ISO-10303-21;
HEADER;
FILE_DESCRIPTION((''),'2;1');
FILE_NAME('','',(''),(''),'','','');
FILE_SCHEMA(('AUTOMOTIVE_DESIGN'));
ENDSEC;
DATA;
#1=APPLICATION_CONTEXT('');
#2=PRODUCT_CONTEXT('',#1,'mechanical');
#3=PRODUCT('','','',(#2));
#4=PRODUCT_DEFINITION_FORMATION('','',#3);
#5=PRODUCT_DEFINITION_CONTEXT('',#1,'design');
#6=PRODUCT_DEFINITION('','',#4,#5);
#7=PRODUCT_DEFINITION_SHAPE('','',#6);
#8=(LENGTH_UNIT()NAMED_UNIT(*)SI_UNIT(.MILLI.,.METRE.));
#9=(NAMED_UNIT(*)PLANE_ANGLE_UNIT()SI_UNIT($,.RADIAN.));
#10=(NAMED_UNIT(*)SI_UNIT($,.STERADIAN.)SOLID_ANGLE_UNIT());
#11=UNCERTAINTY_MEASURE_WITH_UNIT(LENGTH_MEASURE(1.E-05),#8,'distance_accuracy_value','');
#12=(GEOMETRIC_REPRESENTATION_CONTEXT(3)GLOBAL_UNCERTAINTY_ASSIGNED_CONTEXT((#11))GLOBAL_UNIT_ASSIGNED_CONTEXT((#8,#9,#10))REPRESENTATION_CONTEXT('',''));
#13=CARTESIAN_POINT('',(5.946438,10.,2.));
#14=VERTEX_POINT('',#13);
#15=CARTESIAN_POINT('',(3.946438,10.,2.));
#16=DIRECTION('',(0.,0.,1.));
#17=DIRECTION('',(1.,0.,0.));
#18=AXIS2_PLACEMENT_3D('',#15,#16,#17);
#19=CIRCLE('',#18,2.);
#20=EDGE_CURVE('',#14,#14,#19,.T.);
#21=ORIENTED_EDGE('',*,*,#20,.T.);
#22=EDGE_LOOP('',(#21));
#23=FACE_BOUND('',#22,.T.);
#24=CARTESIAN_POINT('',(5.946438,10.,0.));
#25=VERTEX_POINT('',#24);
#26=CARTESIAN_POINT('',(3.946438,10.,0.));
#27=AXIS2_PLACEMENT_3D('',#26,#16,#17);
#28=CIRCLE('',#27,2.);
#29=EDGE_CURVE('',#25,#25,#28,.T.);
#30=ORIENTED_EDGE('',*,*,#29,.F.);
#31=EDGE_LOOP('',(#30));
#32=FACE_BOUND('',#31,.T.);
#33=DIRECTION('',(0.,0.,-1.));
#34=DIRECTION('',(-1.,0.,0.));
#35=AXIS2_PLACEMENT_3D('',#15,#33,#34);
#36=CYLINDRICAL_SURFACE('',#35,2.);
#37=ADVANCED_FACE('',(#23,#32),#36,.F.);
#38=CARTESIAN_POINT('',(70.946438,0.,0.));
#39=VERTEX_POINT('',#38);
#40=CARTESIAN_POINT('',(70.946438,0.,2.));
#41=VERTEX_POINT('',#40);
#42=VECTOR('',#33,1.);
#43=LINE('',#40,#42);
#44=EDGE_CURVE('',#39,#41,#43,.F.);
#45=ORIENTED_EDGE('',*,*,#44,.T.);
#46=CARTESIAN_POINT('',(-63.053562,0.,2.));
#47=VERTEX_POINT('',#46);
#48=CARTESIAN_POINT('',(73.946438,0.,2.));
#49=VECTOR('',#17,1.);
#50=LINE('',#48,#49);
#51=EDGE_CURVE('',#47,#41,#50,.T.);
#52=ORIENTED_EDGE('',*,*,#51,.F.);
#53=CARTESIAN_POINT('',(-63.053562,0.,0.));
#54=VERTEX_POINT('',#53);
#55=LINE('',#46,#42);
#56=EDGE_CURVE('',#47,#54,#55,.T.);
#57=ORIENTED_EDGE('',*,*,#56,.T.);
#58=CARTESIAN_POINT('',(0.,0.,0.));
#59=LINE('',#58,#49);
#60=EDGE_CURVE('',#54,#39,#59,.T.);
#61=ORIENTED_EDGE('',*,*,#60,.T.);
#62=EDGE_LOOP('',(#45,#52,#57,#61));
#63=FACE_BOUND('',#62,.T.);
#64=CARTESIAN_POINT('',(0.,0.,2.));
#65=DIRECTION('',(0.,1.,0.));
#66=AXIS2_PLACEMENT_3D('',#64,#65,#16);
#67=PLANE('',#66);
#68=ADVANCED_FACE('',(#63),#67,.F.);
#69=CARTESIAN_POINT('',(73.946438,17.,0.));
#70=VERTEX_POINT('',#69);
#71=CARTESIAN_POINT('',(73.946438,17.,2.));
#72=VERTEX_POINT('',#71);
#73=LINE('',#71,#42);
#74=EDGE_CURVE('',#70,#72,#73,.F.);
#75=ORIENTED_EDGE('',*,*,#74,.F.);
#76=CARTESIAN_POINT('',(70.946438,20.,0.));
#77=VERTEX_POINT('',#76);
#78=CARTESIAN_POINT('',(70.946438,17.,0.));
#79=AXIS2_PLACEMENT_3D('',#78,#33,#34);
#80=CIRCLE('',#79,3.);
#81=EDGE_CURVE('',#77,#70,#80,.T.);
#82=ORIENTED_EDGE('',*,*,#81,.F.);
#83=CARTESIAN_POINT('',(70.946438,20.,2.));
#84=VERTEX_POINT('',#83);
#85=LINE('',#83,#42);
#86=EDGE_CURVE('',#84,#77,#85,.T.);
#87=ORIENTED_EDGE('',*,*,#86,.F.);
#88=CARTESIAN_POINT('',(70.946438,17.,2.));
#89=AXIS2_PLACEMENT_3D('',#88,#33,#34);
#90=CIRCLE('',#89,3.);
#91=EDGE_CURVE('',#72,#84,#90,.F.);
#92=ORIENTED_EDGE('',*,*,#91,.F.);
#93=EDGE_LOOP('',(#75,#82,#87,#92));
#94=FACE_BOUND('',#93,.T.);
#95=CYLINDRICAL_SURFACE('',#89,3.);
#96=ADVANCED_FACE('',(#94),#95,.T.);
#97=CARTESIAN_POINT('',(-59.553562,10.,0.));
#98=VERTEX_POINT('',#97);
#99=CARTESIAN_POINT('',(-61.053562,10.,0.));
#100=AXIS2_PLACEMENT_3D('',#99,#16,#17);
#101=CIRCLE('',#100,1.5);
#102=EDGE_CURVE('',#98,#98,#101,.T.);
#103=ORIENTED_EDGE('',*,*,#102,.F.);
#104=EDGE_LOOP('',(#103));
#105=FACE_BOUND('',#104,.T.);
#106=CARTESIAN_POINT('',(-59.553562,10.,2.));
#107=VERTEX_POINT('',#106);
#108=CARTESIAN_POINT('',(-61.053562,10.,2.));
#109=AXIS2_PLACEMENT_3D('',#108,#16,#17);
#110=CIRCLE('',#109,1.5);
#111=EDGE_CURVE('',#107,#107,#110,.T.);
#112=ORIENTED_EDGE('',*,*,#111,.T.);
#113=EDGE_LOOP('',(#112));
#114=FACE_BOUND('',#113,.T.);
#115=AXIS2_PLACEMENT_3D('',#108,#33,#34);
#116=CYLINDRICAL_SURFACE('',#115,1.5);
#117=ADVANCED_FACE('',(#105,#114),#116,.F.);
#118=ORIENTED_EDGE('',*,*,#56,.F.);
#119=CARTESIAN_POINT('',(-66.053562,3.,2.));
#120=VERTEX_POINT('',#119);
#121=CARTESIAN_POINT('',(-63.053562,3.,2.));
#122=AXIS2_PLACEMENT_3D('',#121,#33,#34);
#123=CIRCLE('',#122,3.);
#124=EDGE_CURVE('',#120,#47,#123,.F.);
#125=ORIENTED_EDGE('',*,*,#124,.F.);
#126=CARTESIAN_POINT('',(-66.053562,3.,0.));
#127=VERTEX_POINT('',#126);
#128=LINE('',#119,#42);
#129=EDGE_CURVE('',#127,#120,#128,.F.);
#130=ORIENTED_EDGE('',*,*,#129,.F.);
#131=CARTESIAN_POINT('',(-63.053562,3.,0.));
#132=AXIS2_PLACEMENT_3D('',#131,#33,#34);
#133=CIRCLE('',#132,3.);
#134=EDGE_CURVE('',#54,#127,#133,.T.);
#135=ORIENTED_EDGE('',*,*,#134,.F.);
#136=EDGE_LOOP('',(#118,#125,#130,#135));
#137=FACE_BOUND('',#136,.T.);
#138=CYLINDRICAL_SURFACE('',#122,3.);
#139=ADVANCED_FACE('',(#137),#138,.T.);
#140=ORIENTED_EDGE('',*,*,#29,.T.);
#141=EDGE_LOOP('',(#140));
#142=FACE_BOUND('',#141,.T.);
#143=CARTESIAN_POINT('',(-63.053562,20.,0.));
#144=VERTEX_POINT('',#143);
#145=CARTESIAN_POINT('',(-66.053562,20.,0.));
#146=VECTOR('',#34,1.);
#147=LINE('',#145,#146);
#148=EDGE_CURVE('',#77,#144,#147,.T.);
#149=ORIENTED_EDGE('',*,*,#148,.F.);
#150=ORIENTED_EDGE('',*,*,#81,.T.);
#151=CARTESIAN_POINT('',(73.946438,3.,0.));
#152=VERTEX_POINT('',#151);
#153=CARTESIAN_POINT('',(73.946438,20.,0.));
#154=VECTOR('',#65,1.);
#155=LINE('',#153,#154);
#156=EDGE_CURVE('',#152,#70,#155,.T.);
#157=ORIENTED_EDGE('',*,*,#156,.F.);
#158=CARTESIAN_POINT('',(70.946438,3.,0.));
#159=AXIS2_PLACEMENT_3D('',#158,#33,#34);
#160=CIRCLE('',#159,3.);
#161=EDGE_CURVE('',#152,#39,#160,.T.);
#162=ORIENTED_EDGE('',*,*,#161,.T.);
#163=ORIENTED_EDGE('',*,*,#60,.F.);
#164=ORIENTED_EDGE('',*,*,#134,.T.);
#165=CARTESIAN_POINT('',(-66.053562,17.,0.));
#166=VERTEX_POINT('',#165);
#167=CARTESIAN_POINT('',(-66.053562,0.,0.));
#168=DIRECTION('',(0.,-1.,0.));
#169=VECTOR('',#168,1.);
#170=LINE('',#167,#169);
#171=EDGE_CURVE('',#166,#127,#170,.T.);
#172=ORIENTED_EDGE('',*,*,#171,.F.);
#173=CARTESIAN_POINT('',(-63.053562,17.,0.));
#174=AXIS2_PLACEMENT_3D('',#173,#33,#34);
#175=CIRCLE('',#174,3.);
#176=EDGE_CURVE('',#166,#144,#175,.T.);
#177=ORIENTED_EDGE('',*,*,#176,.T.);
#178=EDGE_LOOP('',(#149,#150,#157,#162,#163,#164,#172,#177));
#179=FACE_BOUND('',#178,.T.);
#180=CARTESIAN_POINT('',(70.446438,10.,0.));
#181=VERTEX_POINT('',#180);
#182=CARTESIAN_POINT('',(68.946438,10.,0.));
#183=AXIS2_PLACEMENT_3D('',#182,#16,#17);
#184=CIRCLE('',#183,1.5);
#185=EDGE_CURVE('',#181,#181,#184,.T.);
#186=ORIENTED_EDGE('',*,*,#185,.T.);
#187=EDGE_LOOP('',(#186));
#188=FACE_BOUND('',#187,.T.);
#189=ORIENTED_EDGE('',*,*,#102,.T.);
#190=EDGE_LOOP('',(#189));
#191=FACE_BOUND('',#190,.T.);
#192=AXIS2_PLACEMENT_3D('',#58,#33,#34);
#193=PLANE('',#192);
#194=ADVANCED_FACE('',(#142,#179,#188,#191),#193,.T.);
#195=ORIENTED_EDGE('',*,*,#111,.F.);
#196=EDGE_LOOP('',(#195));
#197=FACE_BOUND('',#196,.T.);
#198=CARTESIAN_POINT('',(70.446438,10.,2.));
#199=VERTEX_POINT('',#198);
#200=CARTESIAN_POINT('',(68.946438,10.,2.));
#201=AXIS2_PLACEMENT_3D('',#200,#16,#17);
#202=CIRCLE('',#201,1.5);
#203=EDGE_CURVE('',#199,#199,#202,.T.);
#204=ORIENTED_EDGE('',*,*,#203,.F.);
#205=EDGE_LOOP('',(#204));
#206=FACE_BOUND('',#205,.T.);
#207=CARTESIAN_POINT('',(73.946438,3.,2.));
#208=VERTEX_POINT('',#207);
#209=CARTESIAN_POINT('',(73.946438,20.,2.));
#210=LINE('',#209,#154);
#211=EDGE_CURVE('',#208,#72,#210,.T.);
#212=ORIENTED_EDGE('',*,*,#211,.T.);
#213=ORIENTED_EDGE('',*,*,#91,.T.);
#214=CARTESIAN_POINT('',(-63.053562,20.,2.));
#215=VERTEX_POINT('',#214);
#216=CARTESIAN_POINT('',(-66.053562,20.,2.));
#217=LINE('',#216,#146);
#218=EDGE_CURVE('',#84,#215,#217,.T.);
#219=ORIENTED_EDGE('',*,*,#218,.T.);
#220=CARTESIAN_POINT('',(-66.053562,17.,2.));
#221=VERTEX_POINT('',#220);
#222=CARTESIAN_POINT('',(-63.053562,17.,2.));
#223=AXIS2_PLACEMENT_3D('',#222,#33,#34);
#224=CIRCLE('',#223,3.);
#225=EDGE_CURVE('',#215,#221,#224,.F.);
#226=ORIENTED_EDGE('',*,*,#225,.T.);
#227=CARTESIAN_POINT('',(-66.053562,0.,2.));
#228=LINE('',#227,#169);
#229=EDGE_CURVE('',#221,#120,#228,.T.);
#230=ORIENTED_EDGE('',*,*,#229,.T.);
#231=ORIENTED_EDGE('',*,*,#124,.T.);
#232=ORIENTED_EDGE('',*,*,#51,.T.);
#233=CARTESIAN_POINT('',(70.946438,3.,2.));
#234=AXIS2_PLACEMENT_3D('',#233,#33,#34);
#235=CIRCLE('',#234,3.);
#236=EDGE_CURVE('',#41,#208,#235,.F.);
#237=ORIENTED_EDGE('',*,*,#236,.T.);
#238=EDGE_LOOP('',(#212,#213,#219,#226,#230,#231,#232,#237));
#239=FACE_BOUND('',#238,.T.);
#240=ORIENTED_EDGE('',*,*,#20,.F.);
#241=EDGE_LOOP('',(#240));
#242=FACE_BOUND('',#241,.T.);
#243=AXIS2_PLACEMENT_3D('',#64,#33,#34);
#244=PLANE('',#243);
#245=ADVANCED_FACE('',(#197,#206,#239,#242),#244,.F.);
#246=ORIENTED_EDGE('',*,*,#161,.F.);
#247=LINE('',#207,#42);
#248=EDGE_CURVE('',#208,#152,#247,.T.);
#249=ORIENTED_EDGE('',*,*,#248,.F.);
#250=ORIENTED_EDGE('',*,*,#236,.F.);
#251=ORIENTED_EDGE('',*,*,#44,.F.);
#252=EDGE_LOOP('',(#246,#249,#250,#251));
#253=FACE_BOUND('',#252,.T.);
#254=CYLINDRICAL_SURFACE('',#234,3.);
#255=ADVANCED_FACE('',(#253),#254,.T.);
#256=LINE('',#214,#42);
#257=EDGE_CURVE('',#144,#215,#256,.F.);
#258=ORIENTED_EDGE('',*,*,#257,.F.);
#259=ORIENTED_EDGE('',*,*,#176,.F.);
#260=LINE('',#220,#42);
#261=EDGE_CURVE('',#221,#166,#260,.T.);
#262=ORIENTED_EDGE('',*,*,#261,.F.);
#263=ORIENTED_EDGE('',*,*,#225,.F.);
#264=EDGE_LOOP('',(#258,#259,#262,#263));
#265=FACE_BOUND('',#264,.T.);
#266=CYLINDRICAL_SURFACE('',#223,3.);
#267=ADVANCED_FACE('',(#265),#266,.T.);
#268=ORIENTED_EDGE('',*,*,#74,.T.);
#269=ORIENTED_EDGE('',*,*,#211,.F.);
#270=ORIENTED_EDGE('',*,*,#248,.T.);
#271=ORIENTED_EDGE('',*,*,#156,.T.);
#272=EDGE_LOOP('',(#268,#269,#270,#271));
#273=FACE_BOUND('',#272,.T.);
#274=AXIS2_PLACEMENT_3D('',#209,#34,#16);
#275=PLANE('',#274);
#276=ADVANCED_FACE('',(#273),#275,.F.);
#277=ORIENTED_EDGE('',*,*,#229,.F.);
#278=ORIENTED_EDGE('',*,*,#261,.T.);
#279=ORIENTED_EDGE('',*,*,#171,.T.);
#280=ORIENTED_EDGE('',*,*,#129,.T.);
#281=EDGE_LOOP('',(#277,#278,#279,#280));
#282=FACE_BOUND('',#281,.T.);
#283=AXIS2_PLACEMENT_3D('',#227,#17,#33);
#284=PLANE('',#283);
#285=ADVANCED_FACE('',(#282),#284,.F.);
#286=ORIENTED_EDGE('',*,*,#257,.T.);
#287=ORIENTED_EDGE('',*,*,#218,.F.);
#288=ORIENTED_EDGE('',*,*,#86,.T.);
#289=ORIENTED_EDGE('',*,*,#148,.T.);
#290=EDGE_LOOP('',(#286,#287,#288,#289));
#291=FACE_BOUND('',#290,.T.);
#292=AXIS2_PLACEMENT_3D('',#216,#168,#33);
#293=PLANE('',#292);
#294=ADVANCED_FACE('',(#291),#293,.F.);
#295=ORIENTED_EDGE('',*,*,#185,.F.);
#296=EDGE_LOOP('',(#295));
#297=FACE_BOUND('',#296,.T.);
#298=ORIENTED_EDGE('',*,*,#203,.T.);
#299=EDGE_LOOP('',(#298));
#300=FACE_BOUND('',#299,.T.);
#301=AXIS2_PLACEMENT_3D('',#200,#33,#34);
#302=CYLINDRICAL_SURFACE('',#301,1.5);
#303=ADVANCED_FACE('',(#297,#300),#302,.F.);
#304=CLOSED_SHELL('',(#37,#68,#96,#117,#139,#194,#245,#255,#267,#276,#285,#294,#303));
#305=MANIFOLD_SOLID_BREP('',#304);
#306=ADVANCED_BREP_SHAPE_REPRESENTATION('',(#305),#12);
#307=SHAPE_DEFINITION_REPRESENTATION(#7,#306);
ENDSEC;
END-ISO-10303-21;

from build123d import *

# Parameters (mm, degrees)
IZIM1_R                     = 2
IZIM1_R_2                   = 1.5
Y_KSEKLIK_EKSTR_ZYON1_DEPTH = 2
RADYUS1_R                   = 3


with BuildPart() as part:
    # Çizim1 → Yükseklik-Ekstrüzyon1 (new body)
    with BuildSketch(Plane.XY):
        Polygon((0, 0), (-66.053561945, 0), (-66.053561945, 20), (73.946438055, 20), (73.946438055, 0), align=None)
        with Locations((3.946438055, 10)):
            Circle(IZIM1_R, mode=Mode.SUBTRACT)
        with Locations((-61.053561945, 10)):
            Circle(IZIM1_R_2, mode=Mode.SUBTRACT)
        with Locations((68.946438055, 10)):
            Circle(IZIM1_R_2, mode=Mode.SUBTRACT)
    extrude(amount=Y_KSEKLIK_EKSTR_ZYON1_DEPTH)

    # Radyus1
    radyus1_edges = [part.edges().sort_by_distance(p)[0] for p in [
        (-66.053561945, 0, 1),
        (-66.053561945, 20, 1),
        (73.946438055, 20, 1),
        (73.946438055, 0, 1),
    ]]
    fillet(radyus1_edges, radius=RADYUS1_R)


solid = part.part
